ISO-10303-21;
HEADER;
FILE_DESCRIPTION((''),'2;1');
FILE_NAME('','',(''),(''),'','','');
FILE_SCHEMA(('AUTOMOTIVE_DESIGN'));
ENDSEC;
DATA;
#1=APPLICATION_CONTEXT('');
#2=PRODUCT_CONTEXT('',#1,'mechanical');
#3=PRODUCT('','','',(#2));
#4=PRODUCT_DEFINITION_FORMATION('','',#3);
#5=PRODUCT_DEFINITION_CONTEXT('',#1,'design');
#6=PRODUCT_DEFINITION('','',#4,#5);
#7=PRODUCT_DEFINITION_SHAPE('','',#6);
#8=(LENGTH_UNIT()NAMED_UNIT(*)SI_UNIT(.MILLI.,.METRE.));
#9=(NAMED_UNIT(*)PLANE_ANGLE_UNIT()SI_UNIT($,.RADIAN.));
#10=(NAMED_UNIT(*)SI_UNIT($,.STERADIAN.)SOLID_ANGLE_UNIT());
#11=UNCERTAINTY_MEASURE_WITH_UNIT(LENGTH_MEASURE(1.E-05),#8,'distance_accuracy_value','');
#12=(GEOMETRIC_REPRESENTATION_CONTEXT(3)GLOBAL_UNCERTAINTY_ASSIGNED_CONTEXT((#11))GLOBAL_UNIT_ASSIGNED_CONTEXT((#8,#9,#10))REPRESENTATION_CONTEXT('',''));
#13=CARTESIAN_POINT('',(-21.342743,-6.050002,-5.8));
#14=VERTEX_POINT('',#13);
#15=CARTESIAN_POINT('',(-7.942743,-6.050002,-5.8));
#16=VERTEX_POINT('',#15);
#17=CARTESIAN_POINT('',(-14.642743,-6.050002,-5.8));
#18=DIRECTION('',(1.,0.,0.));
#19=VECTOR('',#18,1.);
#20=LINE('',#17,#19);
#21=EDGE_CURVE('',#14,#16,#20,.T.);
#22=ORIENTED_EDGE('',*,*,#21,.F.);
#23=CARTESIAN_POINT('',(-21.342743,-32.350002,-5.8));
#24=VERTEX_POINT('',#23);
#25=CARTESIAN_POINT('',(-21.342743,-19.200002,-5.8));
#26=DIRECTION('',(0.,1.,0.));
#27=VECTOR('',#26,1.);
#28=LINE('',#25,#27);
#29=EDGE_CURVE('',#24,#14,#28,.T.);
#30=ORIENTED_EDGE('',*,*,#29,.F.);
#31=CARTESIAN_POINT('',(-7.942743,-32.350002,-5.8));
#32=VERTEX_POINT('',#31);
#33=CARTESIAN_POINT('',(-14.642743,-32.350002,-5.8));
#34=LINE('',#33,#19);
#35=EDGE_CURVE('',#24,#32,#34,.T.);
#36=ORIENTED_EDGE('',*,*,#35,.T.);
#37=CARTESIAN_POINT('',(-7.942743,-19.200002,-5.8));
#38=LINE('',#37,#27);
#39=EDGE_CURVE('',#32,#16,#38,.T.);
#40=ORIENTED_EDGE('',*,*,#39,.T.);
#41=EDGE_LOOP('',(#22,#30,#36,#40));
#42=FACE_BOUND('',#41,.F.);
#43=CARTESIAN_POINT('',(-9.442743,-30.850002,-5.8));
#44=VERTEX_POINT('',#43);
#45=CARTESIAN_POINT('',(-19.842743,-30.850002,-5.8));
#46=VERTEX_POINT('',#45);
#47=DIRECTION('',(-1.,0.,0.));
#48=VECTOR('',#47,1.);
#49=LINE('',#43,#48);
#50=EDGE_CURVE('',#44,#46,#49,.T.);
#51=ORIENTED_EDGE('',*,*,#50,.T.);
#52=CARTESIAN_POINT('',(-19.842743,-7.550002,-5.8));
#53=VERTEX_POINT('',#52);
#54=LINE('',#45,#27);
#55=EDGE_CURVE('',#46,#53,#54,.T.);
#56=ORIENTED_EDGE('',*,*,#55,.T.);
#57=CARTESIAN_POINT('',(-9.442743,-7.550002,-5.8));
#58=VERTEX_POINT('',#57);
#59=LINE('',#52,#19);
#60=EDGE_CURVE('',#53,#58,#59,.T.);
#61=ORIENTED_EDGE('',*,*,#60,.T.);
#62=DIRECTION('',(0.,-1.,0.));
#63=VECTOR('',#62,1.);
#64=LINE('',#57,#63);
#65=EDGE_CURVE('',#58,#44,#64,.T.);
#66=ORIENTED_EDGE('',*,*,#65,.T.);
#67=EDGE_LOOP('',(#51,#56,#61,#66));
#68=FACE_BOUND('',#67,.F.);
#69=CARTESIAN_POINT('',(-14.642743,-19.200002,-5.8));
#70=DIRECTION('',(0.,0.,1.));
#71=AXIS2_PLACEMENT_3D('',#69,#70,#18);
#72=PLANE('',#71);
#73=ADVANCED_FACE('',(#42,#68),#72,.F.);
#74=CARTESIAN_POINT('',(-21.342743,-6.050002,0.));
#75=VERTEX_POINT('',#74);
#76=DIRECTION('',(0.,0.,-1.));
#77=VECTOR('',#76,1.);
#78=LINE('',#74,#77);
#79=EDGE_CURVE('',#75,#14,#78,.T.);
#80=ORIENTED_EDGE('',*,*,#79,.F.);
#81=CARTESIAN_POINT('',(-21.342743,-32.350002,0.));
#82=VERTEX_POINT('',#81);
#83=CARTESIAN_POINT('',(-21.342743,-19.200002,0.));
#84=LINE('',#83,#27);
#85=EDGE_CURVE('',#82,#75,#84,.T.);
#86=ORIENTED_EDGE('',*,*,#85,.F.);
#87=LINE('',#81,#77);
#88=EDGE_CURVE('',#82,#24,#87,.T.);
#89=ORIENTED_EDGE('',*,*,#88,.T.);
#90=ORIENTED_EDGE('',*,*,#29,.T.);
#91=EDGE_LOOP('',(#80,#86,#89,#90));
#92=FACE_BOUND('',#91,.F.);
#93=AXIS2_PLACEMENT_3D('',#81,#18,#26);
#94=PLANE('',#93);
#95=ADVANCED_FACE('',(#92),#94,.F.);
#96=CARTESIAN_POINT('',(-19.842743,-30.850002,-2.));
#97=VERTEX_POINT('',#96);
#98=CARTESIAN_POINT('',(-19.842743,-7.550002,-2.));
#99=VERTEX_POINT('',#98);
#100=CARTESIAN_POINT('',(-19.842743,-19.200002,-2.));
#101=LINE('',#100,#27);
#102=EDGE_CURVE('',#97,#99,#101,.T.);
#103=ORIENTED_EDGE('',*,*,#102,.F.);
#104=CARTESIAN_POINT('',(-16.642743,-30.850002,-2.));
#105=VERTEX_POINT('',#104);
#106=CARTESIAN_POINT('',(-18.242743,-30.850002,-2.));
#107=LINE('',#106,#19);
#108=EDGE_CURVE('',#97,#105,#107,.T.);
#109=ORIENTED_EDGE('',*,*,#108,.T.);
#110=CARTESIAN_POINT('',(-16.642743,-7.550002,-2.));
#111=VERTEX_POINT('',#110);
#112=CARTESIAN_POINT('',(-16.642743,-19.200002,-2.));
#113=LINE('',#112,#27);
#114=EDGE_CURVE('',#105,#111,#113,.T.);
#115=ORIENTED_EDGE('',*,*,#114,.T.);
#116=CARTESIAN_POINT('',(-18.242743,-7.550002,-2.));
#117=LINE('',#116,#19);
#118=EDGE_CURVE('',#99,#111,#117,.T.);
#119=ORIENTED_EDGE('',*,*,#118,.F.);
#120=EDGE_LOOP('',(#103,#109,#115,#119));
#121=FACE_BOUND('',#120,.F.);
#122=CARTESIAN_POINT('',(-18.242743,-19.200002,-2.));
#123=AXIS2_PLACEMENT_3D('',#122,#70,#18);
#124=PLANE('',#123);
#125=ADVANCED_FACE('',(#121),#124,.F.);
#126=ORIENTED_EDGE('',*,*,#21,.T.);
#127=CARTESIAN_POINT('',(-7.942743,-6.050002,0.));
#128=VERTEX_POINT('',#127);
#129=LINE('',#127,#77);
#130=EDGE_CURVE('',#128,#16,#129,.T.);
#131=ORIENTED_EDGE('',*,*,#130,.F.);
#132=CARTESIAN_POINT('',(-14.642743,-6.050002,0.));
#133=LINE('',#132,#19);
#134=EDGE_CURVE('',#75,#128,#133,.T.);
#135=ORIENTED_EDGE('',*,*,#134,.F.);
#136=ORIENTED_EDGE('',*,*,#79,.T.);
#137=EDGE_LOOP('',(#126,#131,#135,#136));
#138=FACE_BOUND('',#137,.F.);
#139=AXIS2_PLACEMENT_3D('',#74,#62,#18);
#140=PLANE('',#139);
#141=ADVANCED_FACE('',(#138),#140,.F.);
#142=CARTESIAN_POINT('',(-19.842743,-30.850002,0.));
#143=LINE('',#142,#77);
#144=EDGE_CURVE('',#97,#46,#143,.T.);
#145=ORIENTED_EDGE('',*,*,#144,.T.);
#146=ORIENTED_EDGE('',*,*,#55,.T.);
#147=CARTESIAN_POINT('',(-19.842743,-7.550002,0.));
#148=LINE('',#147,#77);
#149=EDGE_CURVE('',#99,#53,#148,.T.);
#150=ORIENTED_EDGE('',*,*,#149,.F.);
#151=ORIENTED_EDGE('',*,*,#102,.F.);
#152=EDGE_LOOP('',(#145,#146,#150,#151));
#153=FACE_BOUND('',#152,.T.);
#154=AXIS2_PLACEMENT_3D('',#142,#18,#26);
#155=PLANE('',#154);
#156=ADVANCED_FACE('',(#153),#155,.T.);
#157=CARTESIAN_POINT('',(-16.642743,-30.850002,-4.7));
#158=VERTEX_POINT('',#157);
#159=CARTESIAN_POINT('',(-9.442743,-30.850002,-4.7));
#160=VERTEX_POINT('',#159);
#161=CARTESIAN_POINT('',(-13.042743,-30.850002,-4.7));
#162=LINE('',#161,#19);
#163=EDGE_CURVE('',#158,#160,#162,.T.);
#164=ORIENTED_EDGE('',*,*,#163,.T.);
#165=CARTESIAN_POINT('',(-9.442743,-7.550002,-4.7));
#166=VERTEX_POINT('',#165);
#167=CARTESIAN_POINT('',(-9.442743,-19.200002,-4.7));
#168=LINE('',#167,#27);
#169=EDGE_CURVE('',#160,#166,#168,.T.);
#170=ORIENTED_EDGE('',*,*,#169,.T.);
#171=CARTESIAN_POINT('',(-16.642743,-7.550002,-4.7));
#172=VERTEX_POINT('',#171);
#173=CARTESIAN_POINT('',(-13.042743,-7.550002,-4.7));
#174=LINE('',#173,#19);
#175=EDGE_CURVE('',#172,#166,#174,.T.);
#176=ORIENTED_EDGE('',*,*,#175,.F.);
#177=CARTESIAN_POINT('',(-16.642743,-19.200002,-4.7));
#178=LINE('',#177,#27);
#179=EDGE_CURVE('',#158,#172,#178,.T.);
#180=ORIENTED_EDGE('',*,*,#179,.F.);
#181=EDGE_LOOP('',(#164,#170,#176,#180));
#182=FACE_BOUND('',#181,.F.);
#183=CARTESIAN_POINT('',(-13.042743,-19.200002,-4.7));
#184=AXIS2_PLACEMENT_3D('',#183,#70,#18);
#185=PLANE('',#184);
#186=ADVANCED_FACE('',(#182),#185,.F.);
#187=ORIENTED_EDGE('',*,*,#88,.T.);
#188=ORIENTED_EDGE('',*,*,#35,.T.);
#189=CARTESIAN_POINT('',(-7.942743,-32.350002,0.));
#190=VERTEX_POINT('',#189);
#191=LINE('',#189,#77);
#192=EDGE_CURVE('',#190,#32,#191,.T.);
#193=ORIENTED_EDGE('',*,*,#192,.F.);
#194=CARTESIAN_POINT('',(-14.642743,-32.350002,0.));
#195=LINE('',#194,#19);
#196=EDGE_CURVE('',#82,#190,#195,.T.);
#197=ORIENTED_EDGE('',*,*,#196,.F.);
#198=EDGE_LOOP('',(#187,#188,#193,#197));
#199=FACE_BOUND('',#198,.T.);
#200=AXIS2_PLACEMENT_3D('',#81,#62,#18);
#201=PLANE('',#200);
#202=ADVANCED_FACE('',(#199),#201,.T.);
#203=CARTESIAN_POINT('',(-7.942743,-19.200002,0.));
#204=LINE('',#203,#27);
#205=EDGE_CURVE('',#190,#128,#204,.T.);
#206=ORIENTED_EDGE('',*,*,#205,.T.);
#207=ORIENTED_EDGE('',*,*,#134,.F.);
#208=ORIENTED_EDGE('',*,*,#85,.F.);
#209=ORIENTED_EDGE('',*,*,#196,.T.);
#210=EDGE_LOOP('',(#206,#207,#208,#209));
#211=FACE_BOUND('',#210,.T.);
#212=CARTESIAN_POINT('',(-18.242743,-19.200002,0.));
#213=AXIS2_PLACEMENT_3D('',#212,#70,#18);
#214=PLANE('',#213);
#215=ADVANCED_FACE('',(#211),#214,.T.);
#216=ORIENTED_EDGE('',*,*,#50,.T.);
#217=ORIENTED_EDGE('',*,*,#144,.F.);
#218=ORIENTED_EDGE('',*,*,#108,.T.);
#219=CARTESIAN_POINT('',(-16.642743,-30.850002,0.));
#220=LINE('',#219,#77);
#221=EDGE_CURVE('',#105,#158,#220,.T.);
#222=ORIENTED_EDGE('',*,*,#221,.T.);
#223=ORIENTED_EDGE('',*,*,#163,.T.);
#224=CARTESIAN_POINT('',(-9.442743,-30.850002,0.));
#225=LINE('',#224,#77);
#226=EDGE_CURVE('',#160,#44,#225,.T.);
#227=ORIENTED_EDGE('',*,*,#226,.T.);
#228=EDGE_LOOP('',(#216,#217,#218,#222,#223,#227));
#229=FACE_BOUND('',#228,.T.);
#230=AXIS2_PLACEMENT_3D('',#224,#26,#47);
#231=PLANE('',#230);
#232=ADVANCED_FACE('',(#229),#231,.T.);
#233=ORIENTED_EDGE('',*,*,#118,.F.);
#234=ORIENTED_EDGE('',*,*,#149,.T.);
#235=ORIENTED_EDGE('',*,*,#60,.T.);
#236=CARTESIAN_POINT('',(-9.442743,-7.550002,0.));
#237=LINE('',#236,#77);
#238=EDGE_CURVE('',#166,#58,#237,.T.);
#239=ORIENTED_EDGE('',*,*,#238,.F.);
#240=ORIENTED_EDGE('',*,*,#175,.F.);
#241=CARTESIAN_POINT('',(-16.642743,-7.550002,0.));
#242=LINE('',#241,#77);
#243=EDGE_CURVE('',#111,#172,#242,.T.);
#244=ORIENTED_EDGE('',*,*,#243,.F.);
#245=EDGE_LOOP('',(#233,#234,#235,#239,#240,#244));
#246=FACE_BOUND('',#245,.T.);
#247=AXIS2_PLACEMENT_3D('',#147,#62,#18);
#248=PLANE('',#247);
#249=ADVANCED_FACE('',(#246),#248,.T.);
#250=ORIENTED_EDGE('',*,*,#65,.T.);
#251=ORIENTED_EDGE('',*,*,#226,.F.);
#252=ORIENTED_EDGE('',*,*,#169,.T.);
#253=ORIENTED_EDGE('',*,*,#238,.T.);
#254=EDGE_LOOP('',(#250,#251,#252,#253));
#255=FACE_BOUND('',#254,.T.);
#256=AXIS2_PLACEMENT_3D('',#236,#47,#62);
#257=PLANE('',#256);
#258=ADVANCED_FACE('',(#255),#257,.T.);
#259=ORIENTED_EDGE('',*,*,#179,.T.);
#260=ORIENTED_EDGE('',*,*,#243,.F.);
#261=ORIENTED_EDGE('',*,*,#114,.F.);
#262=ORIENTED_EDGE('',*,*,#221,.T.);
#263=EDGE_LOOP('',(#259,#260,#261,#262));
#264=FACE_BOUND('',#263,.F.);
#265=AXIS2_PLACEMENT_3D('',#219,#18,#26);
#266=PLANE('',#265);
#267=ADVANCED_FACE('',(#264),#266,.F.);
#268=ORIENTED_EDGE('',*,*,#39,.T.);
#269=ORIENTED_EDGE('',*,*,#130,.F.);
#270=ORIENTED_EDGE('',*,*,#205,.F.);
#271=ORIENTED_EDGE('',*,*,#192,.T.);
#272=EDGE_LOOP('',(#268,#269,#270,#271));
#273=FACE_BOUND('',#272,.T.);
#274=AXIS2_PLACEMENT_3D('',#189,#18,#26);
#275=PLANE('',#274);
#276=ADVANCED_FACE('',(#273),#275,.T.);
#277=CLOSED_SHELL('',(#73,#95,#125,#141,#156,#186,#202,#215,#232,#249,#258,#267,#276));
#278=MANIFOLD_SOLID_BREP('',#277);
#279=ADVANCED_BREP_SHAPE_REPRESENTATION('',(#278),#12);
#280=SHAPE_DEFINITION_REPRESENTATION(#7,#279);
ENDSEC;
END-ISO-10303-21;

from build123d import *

# Parameters (mm, degrees)
F0_W     = 13.4
F0_H     = 26.3
F1_DEPTH = 5.8
F0_W_2   = 3.2
F0_H_2   = 23.3
F2_DEPTH = 2
F0_W_3   = 7.2
F3_DEPTH = 4.7


with BuildPart() as f1:
    # F0 (on Top) → F1 (new body)
    with BuildSketch(Plane.XY):
        with Locations((-14.642743, -19.200002)):
            Rectangle(F0_W, F0_H)
        Polygon((-19.842743, -30.850002), (-19.842743, -7.550002), (-16.642743, -7.550002), (-9.442743, -7.550002), (-9.442743, -30.850002), (-16.642743, -30.850002), align=None, mode=Mode.SUBTRACT)
    extrude(amount=-F1_DEPTH)

    # F0 (on Top) → F2 (join)
    with BuildSketch(Plane.XY):
        with Locations((-18.242743, -19.200002)):
            Rectangle(F0_W_2, F0_H_2)
    extrude(amount=-F2_DEPTH)

    # F0 (on Top) → F3 (join)
    with BuildSketch(Plane.XY):
        with Locations((-13.042743, -19.200002)):
            Rectangle(F0_W_3, F0_H_2)
    extrude(amount=-F3_DEPTH)


solid = f1.part
